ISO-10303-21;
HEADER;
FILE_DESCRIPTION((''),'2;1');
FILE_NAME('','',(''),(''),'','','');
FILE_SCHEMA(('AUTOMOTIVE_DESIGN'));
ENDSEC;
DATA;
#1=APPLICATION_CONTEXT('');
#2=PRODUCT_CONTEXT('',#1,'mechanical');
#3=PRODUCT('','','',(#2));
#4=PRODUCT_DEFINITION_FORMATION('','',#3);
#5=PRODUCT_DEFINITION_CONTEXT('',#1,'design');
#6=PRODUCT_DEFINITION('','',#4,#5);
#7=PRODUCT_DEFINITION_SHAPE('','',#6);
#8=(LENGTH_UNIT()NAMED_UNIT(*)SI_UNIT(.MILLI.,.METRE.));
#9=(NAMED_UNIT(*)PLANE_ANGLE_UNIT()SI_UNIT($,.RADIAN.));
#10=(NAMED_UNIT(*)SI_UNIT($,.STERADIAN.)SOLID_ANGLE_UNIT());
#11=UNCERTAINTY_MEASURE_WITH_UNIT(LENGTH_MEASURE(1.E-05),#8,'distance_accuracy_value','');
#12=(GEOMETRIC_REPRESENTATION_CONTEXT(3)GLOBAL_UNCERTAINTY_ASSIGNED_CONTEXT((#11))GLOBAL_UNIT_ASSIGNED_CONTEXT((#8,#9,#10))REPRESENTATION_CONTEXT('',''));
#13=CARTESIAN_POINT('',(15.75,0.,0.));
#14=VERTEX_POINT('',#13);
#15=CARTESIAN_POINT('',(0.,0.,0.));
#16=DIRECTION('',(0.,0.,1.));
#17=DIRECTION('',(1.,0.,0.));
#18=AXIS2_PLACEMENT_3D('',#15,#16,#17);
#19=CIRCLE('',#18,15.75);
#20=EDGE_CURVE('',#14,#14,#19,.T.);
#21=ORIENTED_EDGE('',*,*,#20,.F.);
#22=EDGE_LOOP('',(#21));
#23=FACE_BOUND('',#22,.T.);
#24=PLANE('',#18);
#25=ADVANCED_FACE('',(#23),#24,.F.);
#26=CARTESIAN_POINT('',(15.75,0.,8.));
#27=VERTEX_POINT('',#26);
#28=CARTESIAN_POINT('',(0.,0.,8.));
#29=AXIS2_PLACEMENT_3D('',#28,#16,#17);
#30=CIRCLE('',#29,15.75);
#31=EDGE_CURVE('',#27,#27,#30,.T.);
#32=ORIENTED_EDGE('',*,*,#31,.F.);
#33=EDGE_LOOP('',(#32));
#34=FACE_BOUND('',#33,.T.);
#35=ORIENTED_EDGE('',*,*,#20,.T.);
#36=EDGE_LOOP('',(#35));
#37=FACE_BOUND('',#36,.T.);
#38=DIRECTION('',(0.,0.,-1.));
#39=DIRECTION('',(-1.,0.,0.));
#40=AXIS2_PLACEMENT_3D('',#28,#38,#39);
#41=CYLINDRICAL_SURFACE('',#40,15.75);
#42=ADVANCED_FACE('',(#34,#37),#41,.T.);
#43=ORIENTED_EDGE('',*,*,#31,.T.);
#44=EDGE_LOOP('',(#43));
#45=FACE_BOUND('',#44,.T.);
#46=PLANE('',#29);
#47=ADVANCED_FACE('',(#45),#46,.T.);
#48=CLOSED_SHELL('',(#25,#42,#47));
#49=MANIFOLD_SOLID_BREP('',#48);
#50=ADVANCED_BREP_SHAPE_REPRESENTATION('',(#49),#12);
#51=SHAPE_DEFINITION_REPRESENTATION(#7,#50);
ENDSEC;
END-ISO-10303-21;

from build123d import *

# Parameters (mm, degrees)
SKETCH1_R           = 15.75
BOSS_EXTRUDE1_DEPTH = 8


with BuildPart() as part:
    # Sketch1 → Boss-Extrude1 (new body)
    with BuildSketch(Plane.XY):
        Circle(SKETCH1_R)
    extrude(amount=BOSS_EXTRUDE1_DEPTH)


solid = part.part
